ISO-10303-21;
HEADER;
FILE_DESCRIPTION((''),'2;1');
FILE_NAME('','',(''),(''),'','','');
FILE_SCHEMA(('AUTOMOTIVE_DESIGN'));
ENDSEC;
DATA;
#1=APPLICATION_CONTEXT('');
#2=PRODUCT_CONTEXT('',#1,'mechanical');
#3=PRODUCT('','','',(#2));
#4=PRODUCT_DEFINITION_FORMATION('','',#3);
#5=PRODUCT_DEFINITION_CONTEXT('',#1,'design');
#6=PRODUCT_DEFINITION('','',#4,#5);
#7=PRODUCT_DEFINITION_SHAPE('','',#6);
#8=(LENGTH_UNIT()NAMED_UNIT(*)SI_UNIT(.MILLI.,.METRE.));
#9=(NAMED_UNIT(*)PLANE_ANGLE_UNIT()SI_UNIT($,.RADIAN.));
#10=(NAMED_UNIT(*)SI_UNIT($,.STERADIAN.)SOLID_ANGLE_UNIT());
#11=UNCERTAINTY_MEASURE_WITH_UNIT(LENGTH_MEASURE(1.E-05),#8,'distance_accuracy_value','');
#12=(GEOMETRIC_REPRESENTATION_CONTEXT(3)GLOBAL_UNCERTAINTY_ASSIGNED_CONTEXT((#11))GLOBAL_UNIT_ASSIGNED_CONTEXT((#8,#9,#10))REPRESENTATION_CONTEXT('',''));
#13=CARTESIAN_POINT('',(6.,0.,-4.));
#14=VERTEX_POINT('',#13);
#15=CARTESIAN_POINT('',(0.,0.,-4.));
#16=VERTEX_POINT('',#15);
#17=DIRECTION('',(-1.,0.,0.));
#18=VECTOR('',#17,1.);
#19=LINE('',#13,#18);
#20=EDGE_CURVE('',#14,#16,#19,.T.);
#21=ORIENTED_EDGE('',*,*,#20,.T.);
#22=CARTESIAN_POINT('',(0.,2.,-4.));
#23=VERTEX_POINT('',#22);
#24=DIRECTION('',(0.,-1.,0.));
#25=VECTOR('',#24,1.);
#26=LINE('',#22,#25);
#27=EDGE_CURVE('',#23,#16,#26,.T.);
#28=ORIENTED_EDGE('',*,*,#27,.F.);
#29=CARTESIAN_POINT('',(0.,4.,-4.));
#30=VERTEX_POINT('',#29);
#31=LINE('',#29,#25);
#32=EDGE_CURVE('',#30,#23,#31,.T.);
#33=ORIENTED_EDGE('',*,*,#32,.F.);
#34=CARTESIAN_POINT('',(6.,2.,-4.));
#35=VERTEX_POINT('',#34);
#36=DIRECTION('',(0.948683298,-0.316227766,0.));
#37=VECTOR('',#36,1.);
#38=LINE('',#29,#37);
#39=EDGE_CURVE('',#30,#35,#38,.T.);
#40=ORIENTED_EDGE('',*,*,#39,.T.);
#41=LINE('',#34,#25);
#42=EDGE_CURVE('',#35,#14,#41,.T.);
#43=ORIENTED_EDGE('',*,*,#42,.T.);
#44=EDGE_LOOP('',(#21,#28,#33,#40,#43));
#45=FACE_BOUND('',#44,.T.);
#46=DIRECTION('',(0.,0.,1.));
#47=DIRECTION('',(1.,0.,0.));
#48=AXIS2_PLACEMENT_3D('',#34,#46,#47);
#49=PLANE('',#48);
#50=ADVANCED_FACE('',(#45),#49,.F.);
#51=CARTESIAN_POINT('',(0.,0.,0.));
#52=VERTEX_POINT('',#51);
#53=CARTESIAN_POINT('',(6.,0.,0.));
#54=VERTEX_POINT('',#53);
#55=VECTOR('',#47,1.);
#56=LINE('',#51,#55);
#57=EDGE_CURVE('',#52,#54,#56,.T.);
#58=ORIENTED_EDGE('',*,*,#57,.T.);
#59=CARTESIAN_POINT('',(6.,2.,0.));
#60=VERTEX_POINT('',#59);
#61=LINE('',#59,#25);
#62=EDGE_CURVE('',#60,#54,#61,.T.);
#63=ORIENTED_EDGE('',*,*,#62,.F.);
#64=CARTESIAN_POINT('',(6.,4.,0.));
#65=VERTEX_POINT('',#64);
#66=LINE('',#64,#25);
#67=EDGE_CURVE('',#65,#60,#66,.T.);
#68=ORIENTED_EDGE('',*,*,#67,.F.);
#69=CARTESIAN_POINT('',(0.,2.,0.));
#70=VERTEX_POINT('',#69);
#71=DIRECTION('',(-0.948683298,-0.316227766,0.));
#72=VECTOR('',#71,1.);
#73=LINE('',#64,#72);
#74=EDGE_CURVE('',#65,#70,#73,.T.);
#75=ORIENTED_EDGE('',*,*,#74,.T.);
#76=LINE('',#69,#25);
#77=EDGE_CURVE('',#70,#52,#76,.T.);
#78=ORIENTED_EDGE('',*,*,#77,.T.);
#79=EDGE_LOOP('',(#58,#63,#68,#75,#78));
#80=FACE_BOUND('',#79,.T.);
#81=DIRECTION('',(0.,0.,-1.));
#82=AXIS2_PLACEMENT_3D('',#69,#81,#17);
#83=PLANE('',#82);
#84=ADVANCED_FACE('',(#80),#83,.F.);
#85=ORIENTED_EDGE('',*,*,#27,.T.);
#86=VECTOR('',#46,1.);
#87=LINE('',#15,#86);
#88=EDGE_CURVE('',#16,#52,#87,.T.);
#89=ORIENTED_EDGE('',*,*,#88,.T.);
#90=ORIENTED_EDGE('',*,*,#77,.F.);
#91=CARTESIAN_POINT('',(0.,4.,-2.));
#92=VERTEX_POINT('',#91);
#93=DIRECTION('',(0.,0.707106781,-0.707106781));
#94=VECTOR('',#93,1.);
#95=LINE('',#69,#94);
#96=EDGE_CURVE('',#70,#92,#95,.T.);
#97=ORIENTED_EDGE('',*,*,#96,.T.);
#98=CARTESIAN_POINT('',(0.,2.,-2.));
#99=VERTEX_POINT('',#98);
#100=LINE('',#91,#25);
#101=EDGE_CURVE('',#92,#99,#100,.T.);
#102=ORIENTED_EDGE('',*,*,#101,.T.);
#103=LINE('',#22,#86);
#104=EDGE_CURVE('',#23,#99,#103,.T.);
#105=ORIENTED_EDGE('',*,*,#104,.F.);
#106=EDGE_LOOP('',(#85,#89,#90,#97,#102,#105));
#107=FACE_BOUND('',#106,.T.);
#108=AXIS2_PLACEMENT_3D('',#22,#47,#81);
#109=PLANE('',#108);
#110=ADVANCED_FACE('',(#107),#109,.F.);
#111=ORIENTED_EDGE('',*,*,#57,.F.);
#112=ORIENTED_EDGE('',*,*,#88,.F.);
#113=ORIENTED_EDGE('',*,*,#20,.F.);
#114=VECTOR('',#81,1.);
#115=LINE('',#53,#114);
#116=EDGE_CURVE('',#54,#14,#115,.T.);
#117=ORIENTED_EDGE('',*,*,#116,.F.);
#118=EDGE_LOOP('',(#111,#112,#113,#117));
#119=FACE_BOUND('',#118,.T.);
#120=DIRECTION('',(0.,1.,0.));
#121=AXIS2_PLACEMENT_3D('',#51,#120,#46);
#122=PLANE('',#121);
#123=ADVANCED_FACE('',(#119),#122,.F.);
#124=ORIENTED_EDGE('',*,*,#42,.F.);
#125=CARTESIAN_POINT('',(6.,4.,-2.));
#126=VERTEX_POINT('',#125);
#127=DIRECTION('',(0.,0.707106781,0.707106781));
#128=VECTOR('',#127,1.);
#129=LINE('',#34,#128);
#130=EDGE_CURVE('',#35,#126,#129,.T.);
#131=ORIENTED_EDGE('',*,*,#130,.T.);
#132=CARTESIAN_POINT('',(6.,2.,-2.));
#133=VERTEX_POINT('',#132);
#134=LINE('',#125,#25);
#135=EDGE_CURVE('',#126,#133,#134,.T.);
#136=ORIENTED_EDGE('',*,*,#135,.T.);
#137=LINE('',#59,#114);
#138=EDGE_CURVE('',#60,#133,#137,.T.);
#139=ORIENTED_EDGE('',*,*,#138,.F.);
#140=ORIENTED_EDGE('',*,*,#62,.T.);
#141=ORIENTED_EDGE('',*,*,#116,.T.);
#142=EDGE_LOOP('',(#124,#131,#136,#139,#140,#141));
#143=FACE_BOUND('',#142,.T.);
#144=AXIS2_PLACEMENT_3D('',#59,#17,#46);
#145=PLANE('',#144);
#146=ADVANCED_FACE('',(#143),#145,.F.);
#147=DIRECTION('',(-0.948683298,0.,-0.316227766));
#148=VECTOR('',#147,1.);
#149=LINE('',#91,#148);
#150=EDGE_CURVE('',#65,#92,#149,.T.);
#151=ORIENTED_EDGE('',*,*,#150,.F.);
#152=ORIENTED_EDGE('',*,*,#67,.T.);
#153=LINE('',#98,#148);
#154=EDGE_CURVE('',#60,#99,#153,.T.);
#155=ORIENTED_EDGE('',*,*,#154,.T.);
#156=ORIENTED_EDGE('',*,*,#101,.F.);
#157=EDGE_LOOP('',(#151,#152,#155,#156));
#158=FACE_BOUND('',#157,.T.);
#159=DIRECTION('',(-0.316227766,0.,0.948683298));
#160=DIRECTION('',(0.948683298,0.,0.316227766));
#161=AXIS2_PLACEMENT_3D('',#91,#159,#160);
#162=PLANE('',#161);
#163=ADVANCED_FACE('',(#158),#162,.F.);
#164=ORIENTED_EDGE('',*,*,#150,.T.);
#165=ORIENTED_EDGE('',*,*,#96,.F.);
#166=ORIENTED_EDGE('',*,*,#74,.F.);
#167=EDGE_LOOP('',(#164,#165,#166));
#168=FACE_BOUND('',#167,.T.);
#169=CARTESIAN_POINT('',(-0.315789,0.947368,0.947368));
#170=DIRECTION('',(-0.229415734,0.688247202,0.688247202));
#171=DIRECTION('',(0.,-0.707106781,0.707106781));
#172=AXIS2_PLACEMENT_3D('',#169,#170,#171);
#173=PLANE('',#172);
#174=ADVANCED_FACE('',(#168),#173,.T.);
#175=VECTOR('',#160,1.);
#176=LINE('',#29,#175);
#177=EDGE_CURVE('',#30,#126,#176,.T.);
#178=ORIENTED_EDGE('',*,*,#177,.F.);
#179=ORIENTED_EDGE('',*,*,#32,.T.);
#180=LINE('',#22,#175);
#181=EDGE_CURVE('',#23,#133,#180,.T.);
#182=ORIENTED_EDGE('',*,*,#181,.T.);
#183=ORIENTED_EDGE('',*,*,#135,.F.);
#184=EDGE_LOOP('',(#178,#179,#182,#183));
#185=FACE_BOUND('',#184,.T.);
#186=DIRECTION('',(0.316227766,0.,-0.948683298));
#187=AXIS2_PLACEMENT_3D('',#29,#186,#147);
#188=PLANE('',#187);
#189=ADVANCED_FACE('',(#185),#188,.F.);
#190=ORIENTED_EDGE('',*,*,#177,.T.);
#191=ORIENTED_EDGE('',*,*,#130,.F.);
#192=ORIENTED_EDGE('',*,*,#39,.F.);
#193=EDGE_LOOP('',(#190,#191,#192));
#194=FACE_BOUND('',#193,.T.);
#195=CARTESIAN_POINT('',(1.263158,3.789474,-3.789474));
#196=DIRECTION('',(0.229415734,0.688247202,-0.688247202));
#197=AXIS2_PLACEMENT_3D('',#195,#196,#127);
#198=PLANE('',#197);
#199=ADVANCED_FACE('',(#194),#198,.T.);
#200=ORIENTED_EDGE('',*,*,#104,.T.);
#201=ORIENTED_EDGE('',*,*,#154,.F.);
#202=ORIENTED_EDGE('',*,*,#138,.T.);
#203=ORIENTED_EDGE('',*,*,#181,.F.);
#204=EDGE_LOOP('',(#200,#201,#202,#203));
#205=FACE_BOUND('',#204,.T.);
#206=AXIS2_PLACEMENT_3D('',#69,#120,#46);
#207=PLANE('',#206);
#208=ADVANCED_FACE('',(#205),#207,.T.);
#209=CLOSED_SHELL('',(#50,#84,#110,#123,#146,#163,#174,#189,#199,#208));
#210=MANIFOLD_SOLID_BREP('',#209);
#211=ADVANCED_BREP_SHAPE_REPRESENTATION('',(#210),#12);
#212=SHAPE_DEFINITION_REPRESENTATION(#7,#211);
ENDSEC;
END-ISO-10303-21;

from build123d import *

# Parameters (mm, degrees)
SKETCH_1_W          = 6
SKETCH_1_H          = 4
EXTRUDE_1_DEPTH     = 2
EXTRUDE_2_DEPTH     = 2
EXTRUDE_3_DEPTH     = 2
CUT_EXTRUDE_1_DEPTH = 2
CUT_EXTRUDE_2_DEPTH = 2


with BuildPart() as part:
    # 草圖1 → 填料-伸長1 (new body)
    with BuildSketch(Plane(origin=(0, 0, 0), x_dir=(1, 0, 0), z_dir=(0, 1, 0))):
        with Locations((3, 2)):
            Rectangle(SKETCH_1_W, SKETCH_1_H)
    extrude(amount=EXTRUDE_1_DEPTH)

    # 草圖2 → 填料-伸長2 (add)
    with BuildSketch(Plane(origin=(0, 2, 0), x_dir=(1, 0, 0), z_dir=(0, 1, 0))):
        Polygon((0, 4), (6, 2), (6, 4), align=None)
    extrude(amount=EXTRUDE_2_DEPTH)

    # 草圖4 → 填料-伸長3 (add)
    with BuildSketch(Plane(origin=(0, 2, 0), x_dir=(1, 0, 0), z_dir=(0, 1, 0))):
        Polygon((0, 0), (0, 2), (6, 0), align=None)
    extrude(amount=EXTRUDE_3_DEPTH)

    # Sketch 3D_1 → 除料-伸長1 (cut, along a direction that is not the sketch's normal)
    with BuildSketch(Plane(origin=(6, 2, -4), x_dir=(-0.9486832980505139, 0.316227766016838, 0), z_dir=(0.2294157338705617, 0.6882472016116854, -0.6882472016116854))):
        Polygon((0, 0), (0.632455532, 2.75680975), (6.32455532, 0), align=None)
    extrude(amount=CUT_EXTRUDE_1_DEPTH, dir=(0, 1, 0), mode=Mode.SUBTRACT)

    # Sketch 3D_2 → 除料-伸長2 (cut, along a direction that is not the sketch's normal)
    with BuildSketch(Plane(origin=(0, 2, 0), x_dir=(0.9486832980505139, 0.316227766016838, 0), z_dir=(-0.22941573387056177, 0.6882472016116853, 0.6882472016116854))):
        Polygon((0, 0), (0.632455532, 2.75680975), (6.32455532, 0), align=None)
    extrude(amount=CUT_EXTRUDE_2_DEPTH, dir=(0, 0, 1), mode=Mode.SUBTRACT)


solid = part.part
